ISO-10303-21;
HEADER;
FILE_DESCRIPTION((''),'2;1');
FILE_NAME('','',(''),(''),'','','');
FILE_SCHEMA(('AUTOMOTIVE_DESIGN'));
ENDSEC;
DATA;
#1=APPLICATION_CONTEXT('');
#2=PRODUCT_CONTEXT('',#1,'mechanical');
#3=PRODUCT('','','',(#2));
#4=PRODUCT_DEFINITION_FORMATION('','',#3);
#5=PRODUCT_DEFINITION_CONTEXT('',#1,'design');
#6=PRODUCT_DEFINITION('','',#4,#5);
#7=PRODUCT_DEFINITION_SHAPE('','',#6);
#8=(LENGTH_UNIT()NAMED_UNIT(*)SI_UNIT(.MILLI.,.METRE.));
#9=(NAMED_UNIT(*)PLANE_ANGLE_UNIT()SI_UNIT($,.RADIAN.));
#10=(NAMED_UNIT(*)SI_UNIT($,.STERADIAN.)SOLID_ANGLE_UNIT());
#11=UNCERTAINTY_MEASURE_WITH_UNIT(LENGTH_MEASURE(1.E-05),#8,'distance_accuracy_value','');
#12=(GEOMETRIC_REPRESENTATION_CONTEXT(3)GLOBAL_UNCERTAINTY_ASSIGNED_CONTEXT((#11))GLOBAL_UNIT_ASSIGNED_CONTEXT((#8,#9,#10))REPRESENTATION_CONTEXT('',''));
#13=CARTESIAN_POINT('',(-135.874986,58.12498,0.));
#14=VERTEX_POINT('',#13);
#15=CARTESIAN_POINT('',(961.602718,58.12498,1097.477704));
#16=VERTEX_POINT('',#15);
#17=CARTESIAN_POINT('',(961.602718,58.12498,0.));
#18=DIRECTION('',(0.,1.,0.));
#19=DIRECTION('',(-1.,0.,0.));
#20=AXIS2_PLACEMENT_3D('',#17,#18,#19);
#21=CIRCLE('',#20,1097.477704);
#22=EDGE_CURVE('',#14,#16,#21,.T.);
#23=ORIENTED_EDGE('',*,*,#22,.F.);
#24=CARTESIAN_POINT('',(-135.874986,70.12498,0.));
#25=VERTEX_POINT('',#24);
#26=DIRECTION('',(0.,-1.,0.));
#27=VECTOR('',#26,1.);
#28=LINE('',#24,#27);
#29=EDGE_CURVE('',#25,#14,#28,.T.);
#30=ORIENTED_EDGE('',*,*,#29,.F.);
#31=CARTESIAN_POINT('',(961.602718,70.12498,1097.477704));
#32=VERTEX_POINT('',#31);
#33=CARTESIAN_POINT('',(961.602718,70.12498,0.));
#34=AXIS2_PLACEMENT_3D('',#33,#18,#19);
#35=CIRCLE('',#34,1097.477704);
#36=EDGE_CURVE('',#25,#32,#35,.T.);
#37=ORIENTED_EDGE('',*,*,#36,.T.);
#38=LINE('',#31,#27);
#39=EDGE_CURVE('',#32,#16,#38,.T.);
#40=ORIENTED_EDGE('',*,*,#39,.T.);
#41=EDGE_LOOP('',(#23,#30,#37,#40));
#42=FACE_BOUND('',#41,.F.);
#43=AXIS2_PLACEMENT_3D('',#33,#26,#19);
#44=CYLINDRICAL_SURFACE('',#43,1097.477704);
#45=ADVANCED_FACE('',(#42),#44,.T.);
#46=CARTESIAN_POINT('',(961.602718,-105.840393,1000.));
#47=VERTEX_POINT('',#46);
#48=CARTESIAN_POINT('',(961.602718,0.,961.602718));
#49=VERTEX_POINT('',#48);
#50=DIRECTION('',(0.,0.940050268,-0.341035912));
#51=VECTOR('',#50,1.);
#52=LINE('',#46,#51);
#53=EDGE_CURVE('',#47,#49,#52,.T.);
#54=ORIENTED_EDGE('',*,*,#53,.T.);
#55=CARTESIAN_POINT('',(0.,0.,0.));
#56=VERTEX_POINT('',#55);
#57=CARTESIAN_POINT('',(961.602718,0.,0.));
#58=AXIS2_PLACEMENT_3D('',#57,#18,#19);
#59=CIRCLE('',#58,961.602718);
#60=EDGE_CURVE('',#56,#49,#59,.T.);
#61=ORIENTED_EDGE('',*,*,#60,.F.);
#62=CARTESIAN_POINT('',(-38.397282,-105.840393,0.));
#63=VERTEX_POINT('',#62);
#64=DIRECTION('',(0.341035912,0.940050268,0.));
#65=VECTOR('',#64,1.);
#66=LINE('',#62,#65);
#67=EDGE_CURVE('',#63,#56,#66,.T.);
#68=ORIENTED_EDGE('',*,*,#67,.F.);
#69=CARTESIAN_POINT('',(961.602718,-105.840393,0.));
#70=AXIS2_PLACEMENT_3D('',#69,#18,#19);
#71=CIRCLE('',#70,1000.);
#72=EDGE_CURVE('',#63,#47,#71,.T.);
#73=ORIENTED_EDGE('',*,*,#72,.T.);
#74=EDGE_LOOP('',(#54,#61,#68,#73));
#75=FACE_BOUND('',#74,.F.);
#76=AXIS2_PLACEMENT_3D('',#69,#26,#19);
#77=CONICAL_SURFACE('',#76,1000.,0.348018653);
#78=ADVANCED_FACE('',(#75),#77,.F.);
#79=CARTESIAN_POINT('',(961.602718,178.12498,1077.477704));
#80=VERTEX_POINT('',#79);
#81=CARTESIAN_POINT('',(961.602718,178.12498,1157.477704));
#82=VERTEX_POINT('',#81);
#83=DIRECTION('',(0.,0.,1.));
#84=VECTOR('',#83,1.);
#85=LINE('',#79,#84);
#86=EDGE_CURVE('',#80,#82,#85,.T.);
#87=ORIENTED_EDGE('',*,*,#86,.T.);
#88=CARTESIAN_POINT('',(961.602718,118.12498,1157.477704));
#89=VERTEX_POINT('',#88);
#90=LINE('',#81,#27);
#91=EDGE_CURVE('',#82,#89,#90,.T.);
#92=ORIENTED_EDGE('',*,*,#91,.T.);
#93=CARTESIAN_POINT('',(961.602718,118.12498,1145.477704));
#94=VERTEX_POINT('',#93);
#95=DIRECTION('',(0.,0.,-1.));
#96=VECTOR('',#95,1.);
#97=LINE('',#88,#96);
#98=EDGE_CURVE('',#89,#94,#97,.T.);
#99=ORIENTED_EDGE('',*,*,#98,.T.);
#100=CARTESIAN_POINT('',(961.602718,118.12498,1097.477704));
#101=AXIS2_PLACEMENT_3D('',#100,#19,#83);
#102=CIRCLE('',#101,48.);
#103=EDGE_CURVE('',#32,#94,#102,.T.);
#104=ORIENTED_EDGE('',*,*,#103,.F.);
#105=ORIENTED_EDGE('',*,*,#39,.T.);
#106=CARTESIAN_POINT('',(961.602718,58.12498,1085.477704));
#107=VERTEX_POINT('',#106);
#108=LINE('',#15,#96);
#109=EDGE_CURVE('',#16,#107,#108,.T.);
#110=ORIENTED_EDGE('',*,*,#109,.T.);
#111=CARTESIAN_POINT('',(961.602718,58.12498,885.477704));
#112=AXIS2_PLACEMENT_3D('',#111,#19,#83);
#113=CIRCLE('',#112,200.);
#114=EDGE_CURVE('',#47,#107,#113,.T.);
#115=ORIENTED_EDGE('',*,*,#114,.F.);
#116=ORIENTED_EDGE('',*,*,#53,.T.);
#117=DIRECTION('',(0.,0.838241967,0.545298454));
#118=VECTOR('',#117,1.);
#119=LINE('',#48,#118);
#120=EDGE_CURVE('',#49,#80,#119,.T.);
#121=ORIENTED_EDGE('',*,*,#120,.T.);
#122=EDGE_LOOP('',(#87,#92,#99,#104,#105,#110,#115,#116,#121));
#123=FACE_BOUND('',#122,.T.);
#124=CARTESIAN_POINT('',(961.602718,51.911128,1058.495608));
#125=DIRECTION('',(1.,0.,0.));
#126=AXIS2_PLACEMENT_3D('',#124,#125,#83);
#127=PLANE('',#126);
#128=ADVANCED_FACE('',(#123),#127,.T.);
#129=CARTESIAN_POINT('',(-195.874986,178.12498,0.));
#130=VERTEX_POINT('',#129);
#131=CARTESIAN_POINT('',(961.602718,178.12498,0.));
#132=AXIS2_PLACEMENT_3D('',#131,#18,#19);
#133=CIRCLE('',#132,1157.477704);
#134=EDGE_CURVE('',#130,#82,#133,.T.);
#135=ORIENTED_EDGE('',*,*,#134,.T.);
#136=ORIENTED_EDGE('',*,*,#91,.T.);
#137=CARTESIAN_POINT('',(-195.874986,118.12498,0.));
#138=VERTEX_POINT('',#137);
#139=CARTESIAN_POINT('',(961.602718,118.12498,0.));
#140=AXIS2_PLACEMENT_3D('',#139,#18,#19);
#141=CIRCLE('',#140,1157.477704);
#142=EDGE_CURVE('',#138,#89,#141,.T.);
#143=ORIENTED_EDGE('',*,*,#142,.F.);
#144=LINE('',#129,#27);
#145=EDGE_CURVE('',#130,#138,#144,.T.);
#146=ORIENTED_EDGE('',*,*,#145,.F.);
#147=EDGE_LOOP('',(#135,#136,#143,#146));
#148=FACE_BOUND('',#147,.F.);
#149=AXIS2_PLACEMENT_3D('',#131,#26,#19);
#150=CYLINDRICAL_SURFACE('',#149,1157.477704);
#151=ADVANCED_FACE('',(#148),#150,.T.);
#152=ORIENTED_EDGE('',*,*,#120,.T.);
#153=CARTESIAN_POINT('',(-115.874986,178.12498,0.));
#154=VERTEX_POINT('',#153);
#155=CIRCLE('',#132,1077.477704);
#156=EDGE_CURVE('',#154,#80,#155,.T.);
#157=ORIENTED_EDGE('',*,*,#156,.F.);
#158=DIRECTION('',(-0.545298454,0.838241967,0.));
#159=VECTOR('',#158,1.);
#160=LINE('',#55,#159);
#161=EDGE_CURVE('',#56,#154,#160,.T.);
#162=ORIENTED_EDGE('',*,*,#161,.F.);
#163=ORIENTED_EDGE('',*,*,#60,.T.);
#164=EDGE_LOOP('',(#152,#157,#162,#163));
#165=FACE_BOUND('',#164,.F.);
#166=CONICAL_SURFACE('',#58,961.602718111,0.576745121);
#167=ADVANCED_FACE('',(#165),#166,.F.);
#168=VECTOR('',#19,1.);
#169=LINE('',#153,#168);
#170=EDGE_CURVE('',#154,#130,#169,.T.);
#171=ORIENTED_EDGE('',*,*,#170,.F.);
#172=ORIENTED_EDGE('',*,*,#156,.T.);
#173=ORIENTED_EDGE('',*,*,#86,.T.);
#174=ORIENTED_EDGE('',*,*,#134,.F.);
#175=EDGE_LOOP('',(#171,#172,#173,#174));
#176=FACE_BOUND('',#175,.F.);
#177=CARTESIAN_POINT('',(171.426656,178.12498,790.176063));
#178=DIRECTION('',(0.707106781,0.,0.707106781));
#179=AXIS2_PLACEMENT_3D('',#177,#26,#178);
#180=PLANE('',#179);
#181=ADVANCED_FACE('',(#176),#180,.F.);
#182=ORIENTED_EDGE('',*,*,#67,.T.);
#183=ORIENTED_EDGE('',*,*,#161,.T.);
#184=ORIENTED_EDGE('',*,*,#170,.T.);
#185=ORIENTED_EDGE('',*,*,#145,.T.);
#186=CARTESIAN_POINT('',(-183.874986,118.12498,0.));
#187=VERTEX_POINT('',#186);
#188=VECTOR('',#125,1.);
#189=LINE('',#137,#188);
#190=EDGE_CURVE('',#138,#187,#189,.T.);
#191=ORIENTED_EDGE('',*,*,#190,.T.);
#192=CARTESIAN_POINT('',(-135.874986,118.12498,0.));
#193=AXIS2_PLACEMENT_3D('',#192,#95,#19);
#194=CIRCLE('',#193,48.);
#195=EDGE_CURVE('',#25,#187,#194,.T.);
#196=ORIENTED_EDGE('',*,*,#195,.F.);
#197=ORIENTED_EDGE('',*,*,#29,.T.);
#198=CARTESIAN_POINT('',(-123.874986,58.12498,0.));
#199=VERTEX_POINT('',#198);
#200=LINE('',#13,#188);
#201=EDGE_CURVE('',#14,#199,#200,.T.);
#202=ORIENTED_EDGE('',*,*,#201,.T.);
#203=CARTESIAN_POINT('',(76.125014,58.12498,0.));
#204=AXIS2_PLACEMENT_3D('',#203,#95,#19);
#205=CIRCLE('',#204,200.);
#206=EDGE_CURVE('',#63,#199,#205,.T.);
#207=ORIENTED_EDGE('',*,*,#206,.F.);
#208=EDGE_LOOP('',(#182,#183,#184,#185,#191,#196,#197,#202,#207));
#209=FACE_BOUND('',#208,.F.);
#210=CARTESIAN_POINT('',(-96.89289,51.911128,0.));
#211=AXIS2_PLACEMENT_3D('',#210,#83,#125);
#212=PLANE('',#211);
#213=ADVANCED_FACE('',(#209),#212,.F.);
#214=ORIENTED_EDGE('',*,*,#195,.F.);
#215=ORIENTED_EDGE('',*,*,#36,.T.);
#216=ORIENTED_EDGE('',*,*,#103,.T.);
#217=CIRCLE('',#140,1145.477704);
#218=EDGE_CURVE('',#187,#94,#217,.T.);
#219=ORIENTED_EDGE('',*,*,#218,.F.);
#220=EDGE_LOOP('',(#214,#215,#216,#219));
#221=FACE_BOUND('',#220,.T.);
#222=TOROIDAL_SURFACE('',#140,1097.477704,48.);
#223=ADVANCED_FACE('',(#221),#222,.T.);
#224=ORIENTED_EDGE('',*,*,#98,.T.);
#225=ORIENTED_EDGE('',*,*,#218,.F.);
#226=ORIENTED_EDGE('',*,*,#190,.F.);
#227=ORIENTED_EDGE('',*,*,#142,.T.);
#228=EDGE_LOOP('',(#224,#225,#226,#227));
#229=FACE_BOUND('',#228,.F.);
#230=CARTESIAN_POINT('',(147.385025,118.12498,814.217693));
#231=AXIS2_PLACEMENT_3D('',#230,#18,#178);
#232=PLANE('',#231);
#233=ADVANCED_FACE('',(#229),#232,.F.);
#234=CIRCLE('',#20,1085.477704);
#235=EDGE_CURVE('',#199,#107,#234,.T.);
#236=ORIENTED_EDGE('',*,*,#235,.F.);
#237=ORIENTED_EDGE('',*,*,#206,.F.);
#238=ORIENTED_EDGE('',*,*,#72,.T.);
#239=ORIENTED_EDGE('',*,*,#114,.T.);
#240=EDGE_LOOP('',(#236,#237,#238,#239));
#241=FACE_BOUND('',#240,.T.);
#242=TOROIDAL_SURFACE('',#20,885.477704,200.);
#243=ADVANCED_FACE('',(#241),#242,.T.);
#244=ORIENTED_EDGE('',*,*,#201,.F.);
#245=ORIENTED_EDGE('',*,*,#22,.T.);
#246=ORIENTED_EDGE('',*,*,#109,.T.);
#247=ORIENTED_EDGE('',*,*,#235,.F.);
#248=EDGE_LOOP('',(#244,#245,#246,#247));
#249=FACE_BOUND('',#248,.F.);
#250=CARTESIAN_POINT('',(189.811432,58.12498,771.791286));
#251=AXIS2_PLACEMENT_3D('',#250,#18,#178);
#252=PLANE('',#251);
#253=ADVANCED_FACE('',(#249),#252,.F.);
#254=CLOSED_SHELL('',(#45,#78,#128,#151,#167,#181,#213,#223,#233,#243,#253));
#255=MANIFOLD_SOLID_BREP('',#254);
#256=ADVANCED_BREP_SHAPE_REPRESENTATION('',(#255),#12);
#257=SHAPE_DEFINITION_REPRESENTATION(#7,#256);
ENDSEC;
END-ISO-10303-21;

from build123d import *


with BuildPart() as f3:
    # F3: sweep along a path in F2
    with BuildLine(Plane.XZ.offset(105.8403934839)) as f3_path:
        ThreePointArc((-38.3972818889, 0), (254.4959369246, 707.1067811865), (961.6027181111, 1000))
    # F0 (on Top) → F3 (sweep)
    with BuildSketch(Plane.XY):
        with BuildLine():
            Line((-38.3972818889, -105.8403934839), (0, 0))
            Line((0, 0), (-115.8749862256, 178.1249802876))
            Line((-115.8749862256, 178.1249802876), (-195.8749862256, 178.1249802876))
            Line((-195.8749862256, 178.1249802876), (-195.8749862256, 118.1249802876))
            Line((-195.8749862256, 118.1249802876), (-183.8749862256, 118.1249802876))
            ThreePointArc((-183.8749862256, 118.1249802876), (-169.8161117226, 84.1838547906), (-135.8749862256, 70.1249802876))
            Line((-135.8749862256, 70.1249802876), (-135.8749862256, 58.1249802876))
            Line((-135.8749862256, 58.1249802876), (-123.8749862256, 58.1249802876))
            ThreePointArc((-123.8749862256, 58.1249802876), (-101.2227507064, -34.329172857), (-38.3972818889, -105.8403934839))
        make_face()
    sweep(path=f3_path.line)


solid = f3.part
